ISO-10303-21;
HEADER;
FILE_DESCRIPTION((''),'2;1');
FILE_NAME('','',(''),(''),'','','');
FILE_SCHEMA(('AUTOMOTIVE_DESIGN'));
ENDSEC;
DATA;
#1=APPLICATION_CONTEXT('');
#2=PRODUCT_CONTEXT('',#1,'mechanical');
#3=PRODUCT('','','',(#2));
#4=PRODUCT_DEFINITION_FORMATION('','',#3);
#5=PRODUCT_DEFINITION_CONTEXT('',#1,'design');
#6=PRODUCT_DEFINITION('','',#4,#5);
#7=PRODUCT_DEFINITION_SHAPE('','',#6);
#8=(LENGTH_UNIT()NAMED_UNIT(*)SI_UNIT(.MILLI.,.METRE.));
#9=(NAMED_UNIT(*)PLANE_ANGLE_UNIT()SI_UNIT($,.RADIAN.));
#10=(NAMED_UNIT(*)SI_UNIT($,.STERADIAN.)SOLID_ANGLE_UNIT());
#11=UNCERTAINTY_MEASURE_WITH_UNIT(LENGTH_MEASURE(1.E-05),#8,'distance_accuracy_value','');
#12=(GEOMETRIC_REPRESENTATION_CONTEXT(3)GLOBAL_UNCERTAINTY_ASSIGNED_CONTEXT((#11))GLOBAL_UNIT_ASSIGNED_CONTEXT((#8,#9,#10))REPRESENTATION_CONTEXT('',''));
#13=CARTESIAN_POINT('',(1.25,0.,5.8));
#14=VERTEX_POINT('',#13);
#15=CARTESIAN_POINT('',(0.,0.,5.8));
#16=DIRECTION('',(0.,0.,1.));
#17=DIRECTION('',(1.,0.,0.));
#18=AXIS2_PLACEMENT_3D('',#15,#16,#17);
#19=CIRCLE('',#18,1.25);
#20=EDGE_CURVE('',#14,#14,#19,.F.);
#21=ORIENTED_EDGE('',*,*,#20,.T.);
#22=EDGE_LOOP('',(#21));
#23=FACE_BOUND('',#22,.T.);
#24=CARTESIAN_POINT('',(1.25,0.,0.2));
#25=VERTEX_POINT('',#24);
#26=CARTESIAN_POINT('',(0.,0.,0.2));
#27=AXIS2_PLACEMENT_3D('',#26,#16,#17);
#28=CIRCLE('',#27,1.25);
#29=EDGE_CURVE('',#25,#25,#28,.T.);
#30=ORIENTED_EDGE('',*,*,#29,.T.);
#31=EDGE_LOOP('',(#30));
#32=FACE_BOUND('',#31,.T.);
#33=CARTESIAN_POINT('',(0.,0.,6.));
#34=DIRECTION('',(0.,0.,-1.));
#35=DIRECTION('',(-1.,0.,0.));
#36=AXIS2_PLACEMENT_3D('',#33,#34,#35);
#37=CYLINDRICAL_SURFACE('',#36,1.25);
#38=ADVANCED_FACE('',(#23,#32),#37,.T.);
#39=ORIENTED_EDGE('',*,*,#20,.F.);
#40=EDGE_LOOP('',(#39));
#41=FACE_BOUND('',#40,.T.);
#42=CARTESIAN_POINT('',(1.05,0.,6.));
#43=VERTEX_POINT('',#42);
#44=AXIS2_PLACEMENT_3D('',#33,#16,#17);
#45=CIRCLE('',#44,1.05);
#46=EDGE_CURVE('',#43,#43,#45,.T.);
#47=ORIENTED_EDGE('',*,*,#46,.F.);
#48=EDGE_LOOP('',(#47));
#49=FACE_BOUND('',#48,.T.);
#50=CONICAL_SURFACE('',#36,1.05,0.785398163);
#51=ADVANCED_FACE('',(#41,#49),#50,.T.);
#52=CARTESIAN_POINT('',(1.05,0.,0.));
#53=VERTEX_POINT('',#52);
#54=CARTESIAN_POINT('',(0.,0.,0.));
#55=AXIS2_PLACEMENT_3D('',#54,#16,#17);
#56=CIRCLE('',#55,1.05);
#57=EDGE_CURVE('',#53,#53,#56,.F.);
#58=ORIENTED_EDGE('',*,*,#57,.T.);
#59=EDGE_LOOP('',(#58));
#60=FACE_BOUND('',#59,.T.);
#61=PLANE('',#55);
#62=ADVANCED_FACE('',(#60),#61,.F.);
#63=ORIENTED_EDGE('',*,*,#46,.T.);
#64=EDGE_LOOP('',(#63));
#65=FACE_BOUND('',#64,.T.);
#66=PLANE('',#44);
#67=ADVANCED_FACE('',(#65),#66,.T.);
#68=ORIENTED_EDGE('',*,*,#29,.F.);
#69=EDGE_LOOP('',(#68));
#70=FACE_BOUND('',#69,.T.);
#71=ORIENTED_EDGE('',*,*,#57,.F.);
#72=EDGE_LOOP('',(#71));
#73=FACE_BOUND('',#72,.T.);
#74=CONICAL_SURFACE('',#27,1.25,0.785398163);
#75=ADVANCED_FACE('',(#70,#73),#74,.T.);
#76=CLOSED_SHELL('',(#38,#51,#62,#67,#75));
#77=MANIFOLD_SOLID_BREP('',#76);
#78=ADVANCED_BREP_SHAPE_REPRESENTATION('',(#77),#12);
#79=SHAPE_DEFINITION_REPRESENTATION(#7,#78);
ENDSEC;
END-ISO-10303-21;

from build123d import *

# Parameters (mm, degrees)
SKETCH_1_R      = 1.25
EXTRUDE_1_DEPTH = 6
CHAMFER_1_SIZE  = 0.2


with BuildPart() as part:
    # 草图1 → 凸台-拉伸1 (new body)
    with BuildSketch(Plane.XY):
        Circle(SKETCH_1_R)
    extrude(amount=EXTRUDE_1_DEPTH)

    # 倒角1
    chamfer_1_edges = [part.edges().sort_by_distance(p)[0] for p in [
        (-1.25, 0, 0),
        (-1.25, 0, 6),
    ]]
    chamfer(chamfer_1_edges, length=CHAMFER_1_SIZE)


solid = part.part
